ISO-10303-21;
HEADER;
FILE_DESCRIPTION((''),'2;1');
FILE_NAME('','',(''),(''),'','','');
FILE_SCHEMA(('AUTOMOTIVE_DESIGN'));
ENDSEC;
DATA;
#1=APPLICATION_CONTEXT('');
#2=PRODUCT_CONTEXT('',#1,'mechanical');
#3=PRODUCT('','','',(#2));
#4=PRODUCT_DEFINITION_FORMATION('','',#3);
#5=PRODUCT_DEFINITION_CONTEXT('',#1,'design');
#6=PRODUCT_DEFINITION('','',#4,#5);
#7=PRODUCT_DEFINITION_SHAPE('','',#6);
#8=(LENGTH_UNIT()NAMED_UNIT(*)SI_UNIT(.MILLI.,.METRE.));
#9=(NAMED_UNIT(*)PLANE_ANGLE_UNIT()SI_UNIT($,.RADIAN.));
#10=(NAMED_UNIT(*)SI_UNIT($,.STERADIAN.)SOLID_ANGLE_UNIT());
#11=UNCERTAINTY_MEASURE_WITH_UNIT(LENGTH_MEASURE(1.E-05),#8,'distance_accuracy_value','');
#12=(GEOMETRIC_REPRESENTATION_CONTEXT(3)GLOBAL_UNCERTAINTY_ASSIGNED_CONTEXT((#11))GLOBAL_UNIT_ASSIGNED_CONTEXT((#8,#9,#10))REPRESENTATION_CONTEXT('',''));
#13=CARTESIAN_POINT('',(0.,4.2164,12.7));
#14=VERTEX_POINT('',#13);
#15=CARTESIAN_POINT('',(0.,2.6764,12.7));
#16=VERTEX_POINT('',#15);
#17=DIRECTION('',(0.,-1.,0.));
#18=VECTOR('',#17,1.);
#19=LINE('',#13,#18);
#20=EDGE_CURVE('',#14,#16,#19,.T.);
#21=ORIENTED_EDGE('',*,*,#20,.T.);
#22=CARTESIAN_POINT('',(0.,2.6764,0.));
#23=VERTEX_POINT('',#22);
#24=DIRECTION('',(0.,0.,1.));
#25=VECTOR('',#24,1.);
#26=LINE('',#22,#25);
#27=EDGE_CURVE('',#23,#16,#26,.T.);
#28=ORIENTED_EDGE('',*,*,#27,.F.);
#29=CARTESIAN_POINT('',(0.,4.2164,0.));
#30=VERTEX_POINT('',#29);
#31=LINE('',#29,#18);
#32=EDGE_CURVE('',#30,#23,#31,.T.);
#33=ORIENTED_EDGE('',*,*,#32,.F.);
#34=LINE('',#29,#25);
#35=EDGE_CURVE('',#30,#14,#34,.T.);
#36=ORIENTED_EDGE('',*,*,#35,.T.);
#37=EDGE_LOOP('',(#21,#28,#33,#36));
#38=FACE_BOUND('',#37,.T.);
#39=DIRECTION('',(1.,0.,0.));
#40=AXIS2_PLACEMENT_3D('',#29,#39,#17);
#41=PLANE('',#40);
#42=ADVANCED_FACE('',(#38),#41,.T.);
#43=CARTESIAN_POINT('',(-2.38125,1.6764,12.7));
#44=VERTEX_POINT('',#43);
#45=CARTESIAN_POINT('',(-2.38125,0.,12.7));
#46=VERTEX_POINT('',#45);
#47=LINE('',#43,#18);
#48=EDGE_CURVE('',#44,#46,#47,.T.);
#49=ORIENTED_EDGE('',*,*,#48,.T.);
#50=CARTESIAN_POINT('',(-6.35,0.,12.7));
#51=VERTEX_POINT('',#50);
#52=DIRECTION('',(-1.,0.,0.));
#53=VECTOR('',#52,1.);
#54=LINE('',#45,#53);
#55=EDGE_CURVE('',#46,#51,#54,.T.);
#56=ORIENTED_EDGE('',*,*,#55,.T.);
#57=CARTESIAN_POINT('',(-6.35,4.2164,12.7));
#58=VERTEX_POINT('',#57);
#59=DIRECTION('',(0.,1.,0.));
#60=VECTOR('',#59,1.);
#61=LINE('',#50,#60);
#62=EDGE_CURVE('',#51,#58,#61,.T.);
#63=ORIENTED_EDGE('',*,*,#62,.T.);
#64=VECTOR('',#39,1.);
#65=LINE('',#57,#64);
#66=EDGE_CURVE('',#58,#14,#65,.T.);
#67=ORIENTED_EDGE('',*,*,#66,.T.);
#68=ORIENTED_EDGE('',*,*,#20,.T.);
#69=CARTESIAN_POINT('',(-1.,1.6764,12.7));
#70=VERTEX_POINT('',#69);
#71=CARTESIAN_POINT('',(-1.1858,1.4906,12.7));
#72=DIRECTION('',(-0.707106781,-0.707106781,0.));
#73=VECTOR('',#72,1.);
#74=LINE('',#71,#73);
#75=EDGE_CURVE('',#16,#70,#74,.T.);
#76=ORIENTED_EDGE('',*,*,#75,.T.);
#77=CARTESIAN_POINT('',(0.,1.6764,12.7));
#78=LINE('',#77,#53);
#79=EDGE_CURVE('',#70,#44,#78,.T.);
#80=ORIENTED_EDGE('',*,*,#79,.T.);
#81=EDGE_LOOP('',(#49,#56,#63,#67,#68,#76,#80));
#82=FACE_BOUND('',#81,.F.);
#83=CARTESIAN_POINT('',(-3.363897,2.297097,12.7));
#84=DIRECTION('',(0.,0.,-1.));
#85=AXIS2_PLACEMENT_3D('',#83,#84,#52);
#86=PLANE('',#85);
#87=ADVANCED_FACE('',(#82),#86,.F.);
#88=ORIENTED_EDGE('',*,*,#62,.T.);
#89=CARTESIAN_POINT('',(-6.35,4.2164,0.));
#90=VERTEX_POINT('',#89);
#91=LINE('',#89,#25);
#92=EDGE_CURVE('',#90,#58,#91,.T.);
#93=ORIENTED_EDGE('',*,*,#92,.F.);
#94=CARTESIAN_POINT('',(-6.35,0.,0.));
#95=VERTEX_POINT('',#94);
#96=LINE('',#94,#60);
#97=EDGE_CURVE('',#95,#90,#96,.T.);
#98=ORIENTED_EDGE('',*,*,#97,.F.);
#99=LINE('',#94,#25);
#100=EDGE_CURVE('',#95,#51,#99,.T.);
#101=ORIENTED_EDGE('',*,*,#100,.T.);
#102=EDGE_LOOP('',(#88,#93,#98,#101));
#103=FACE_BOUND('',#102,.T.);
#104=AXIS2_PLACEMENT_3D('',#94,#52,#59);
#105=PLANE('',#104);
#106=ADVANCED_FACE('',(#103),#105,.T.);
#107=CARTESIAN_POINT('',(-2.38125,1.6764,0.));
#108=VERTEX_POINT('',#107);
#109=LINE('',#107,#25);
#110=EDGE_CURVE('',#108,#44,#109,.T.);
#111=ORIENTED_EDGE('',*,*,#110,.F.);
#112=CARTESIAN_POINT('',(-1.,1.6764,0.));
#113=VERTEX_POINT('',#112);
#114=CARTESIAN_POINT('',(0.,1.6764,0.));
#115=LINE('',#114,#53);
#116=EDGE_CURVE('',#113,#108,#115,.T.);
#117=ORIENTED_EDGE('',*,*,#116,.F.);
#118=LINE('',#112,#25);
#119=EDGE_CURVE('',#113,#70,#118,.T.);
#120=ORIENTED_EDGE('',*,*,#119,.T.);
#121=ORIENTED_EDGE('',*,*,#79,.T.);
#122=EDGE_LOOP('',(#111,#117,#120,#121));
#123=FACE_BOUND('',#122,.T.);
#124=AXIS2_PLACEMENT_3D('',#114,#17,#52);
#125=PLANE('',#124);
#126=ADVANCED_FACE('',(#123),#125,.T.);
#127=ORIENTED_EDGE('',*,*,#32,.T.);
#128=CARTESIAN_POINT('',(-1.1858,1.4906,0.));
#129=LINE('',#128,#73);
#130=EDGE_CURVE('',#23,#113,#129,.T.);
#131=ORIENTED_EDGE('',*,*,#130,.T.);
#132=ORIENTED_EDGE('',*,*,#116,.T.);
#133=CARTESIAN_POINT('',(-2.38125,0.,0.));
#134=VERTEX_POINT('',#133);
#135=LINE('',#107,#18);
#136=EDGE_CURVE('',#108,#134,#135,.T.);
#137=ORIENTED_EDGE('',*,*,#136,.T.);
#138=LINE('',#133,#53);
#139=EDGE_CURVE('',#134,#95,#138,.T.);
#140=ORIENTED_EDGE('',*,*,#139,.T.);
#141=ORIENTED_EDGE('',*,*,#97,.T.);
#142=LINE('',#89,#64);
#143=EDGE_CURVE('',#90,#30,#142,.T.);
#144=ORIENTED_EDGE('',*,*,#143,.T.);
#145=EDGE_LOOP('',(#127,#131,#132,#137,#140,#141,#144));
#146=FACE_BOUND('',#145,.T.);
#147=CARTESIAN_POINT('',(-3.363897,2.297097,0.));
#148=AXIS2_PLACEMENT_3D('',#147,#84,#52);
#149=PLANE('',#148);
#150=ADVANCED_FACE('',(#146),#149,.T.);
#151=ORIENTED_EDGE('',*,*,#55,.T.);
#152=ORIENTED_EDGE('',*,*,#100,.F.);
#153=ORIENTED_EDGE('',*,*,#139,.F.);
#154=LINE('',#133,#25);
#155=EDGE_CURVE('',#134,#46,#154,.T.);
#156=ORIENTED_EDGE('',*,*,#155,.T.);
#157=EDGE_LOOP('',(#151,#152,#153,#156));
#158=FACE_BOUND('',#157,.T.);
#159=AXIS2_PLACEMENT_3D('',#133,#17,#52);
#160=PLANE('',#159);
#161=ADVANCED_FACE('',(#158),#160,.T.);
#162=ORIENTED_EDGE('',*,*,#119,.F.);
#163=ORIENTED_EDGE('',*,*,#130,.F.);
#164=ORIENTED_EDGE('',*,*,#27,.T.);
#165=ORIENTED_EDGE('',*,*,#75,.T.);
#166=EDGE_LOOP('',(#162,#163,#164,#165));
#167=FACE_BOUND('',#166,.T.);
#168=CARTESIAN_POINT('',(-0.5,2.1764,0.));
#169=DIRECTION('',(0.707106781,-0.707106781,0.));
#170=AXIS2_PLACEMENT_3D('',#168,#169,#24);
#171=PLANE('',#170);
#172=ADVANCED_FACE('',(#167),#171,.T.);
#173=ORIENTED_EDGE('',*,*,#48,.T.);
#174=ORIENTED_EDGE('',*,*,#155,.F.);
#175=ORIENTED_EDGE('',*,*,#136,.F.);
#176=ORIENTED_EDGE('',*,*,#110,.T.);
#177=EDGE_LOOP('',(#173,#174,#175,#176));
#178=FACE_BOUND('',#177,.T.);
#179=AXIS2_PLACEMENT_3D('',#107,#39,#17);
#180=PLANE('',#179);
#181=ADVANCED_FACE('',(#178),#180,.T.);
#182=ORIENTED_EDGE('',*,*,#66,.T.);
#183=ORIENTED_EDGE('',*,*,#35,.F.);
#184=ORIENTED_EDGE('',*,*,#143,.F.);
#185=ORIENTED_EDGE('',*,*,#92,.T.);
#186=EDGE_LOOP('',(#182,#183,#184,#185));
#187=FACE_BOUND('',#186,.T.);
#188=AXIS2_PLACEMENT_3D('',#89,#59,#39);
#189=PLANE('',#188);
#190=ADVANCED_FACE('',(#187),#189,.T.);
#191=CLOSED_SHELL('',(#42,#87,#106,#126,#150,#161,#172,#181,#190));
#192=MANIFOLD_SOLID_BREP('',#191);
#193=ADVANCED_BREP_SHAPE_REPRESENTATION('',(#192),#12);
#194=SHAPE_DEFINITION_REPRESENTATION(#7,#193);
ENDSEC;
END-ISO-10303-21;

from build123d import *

# Parameters (mm, degrees)
PAD_DEPTH    = 12.7
CHAMFER_SIZE = 1


with BuildPart() as part:
    # Sketch → Pad (new body)
    with BuildSketch(Plane.XY):
        Polygon((-6.35, 0), (-6.35, 4.2164), (0, 4.2164), (0, 1.6764), (-2.38125, 1.6764), (-2.38125, 0), align=None)
    extrude(amount=PAD_DEPTH)

    # Chamfer
    chamfer_edges = [part.edges().sort_by_distance(p)[0] for p in [
        (0, 1.6764, 6.35),
    ]]
    chamfer(chamfer_edges, length=CHAMFER_SIZE)


solid = part.part
